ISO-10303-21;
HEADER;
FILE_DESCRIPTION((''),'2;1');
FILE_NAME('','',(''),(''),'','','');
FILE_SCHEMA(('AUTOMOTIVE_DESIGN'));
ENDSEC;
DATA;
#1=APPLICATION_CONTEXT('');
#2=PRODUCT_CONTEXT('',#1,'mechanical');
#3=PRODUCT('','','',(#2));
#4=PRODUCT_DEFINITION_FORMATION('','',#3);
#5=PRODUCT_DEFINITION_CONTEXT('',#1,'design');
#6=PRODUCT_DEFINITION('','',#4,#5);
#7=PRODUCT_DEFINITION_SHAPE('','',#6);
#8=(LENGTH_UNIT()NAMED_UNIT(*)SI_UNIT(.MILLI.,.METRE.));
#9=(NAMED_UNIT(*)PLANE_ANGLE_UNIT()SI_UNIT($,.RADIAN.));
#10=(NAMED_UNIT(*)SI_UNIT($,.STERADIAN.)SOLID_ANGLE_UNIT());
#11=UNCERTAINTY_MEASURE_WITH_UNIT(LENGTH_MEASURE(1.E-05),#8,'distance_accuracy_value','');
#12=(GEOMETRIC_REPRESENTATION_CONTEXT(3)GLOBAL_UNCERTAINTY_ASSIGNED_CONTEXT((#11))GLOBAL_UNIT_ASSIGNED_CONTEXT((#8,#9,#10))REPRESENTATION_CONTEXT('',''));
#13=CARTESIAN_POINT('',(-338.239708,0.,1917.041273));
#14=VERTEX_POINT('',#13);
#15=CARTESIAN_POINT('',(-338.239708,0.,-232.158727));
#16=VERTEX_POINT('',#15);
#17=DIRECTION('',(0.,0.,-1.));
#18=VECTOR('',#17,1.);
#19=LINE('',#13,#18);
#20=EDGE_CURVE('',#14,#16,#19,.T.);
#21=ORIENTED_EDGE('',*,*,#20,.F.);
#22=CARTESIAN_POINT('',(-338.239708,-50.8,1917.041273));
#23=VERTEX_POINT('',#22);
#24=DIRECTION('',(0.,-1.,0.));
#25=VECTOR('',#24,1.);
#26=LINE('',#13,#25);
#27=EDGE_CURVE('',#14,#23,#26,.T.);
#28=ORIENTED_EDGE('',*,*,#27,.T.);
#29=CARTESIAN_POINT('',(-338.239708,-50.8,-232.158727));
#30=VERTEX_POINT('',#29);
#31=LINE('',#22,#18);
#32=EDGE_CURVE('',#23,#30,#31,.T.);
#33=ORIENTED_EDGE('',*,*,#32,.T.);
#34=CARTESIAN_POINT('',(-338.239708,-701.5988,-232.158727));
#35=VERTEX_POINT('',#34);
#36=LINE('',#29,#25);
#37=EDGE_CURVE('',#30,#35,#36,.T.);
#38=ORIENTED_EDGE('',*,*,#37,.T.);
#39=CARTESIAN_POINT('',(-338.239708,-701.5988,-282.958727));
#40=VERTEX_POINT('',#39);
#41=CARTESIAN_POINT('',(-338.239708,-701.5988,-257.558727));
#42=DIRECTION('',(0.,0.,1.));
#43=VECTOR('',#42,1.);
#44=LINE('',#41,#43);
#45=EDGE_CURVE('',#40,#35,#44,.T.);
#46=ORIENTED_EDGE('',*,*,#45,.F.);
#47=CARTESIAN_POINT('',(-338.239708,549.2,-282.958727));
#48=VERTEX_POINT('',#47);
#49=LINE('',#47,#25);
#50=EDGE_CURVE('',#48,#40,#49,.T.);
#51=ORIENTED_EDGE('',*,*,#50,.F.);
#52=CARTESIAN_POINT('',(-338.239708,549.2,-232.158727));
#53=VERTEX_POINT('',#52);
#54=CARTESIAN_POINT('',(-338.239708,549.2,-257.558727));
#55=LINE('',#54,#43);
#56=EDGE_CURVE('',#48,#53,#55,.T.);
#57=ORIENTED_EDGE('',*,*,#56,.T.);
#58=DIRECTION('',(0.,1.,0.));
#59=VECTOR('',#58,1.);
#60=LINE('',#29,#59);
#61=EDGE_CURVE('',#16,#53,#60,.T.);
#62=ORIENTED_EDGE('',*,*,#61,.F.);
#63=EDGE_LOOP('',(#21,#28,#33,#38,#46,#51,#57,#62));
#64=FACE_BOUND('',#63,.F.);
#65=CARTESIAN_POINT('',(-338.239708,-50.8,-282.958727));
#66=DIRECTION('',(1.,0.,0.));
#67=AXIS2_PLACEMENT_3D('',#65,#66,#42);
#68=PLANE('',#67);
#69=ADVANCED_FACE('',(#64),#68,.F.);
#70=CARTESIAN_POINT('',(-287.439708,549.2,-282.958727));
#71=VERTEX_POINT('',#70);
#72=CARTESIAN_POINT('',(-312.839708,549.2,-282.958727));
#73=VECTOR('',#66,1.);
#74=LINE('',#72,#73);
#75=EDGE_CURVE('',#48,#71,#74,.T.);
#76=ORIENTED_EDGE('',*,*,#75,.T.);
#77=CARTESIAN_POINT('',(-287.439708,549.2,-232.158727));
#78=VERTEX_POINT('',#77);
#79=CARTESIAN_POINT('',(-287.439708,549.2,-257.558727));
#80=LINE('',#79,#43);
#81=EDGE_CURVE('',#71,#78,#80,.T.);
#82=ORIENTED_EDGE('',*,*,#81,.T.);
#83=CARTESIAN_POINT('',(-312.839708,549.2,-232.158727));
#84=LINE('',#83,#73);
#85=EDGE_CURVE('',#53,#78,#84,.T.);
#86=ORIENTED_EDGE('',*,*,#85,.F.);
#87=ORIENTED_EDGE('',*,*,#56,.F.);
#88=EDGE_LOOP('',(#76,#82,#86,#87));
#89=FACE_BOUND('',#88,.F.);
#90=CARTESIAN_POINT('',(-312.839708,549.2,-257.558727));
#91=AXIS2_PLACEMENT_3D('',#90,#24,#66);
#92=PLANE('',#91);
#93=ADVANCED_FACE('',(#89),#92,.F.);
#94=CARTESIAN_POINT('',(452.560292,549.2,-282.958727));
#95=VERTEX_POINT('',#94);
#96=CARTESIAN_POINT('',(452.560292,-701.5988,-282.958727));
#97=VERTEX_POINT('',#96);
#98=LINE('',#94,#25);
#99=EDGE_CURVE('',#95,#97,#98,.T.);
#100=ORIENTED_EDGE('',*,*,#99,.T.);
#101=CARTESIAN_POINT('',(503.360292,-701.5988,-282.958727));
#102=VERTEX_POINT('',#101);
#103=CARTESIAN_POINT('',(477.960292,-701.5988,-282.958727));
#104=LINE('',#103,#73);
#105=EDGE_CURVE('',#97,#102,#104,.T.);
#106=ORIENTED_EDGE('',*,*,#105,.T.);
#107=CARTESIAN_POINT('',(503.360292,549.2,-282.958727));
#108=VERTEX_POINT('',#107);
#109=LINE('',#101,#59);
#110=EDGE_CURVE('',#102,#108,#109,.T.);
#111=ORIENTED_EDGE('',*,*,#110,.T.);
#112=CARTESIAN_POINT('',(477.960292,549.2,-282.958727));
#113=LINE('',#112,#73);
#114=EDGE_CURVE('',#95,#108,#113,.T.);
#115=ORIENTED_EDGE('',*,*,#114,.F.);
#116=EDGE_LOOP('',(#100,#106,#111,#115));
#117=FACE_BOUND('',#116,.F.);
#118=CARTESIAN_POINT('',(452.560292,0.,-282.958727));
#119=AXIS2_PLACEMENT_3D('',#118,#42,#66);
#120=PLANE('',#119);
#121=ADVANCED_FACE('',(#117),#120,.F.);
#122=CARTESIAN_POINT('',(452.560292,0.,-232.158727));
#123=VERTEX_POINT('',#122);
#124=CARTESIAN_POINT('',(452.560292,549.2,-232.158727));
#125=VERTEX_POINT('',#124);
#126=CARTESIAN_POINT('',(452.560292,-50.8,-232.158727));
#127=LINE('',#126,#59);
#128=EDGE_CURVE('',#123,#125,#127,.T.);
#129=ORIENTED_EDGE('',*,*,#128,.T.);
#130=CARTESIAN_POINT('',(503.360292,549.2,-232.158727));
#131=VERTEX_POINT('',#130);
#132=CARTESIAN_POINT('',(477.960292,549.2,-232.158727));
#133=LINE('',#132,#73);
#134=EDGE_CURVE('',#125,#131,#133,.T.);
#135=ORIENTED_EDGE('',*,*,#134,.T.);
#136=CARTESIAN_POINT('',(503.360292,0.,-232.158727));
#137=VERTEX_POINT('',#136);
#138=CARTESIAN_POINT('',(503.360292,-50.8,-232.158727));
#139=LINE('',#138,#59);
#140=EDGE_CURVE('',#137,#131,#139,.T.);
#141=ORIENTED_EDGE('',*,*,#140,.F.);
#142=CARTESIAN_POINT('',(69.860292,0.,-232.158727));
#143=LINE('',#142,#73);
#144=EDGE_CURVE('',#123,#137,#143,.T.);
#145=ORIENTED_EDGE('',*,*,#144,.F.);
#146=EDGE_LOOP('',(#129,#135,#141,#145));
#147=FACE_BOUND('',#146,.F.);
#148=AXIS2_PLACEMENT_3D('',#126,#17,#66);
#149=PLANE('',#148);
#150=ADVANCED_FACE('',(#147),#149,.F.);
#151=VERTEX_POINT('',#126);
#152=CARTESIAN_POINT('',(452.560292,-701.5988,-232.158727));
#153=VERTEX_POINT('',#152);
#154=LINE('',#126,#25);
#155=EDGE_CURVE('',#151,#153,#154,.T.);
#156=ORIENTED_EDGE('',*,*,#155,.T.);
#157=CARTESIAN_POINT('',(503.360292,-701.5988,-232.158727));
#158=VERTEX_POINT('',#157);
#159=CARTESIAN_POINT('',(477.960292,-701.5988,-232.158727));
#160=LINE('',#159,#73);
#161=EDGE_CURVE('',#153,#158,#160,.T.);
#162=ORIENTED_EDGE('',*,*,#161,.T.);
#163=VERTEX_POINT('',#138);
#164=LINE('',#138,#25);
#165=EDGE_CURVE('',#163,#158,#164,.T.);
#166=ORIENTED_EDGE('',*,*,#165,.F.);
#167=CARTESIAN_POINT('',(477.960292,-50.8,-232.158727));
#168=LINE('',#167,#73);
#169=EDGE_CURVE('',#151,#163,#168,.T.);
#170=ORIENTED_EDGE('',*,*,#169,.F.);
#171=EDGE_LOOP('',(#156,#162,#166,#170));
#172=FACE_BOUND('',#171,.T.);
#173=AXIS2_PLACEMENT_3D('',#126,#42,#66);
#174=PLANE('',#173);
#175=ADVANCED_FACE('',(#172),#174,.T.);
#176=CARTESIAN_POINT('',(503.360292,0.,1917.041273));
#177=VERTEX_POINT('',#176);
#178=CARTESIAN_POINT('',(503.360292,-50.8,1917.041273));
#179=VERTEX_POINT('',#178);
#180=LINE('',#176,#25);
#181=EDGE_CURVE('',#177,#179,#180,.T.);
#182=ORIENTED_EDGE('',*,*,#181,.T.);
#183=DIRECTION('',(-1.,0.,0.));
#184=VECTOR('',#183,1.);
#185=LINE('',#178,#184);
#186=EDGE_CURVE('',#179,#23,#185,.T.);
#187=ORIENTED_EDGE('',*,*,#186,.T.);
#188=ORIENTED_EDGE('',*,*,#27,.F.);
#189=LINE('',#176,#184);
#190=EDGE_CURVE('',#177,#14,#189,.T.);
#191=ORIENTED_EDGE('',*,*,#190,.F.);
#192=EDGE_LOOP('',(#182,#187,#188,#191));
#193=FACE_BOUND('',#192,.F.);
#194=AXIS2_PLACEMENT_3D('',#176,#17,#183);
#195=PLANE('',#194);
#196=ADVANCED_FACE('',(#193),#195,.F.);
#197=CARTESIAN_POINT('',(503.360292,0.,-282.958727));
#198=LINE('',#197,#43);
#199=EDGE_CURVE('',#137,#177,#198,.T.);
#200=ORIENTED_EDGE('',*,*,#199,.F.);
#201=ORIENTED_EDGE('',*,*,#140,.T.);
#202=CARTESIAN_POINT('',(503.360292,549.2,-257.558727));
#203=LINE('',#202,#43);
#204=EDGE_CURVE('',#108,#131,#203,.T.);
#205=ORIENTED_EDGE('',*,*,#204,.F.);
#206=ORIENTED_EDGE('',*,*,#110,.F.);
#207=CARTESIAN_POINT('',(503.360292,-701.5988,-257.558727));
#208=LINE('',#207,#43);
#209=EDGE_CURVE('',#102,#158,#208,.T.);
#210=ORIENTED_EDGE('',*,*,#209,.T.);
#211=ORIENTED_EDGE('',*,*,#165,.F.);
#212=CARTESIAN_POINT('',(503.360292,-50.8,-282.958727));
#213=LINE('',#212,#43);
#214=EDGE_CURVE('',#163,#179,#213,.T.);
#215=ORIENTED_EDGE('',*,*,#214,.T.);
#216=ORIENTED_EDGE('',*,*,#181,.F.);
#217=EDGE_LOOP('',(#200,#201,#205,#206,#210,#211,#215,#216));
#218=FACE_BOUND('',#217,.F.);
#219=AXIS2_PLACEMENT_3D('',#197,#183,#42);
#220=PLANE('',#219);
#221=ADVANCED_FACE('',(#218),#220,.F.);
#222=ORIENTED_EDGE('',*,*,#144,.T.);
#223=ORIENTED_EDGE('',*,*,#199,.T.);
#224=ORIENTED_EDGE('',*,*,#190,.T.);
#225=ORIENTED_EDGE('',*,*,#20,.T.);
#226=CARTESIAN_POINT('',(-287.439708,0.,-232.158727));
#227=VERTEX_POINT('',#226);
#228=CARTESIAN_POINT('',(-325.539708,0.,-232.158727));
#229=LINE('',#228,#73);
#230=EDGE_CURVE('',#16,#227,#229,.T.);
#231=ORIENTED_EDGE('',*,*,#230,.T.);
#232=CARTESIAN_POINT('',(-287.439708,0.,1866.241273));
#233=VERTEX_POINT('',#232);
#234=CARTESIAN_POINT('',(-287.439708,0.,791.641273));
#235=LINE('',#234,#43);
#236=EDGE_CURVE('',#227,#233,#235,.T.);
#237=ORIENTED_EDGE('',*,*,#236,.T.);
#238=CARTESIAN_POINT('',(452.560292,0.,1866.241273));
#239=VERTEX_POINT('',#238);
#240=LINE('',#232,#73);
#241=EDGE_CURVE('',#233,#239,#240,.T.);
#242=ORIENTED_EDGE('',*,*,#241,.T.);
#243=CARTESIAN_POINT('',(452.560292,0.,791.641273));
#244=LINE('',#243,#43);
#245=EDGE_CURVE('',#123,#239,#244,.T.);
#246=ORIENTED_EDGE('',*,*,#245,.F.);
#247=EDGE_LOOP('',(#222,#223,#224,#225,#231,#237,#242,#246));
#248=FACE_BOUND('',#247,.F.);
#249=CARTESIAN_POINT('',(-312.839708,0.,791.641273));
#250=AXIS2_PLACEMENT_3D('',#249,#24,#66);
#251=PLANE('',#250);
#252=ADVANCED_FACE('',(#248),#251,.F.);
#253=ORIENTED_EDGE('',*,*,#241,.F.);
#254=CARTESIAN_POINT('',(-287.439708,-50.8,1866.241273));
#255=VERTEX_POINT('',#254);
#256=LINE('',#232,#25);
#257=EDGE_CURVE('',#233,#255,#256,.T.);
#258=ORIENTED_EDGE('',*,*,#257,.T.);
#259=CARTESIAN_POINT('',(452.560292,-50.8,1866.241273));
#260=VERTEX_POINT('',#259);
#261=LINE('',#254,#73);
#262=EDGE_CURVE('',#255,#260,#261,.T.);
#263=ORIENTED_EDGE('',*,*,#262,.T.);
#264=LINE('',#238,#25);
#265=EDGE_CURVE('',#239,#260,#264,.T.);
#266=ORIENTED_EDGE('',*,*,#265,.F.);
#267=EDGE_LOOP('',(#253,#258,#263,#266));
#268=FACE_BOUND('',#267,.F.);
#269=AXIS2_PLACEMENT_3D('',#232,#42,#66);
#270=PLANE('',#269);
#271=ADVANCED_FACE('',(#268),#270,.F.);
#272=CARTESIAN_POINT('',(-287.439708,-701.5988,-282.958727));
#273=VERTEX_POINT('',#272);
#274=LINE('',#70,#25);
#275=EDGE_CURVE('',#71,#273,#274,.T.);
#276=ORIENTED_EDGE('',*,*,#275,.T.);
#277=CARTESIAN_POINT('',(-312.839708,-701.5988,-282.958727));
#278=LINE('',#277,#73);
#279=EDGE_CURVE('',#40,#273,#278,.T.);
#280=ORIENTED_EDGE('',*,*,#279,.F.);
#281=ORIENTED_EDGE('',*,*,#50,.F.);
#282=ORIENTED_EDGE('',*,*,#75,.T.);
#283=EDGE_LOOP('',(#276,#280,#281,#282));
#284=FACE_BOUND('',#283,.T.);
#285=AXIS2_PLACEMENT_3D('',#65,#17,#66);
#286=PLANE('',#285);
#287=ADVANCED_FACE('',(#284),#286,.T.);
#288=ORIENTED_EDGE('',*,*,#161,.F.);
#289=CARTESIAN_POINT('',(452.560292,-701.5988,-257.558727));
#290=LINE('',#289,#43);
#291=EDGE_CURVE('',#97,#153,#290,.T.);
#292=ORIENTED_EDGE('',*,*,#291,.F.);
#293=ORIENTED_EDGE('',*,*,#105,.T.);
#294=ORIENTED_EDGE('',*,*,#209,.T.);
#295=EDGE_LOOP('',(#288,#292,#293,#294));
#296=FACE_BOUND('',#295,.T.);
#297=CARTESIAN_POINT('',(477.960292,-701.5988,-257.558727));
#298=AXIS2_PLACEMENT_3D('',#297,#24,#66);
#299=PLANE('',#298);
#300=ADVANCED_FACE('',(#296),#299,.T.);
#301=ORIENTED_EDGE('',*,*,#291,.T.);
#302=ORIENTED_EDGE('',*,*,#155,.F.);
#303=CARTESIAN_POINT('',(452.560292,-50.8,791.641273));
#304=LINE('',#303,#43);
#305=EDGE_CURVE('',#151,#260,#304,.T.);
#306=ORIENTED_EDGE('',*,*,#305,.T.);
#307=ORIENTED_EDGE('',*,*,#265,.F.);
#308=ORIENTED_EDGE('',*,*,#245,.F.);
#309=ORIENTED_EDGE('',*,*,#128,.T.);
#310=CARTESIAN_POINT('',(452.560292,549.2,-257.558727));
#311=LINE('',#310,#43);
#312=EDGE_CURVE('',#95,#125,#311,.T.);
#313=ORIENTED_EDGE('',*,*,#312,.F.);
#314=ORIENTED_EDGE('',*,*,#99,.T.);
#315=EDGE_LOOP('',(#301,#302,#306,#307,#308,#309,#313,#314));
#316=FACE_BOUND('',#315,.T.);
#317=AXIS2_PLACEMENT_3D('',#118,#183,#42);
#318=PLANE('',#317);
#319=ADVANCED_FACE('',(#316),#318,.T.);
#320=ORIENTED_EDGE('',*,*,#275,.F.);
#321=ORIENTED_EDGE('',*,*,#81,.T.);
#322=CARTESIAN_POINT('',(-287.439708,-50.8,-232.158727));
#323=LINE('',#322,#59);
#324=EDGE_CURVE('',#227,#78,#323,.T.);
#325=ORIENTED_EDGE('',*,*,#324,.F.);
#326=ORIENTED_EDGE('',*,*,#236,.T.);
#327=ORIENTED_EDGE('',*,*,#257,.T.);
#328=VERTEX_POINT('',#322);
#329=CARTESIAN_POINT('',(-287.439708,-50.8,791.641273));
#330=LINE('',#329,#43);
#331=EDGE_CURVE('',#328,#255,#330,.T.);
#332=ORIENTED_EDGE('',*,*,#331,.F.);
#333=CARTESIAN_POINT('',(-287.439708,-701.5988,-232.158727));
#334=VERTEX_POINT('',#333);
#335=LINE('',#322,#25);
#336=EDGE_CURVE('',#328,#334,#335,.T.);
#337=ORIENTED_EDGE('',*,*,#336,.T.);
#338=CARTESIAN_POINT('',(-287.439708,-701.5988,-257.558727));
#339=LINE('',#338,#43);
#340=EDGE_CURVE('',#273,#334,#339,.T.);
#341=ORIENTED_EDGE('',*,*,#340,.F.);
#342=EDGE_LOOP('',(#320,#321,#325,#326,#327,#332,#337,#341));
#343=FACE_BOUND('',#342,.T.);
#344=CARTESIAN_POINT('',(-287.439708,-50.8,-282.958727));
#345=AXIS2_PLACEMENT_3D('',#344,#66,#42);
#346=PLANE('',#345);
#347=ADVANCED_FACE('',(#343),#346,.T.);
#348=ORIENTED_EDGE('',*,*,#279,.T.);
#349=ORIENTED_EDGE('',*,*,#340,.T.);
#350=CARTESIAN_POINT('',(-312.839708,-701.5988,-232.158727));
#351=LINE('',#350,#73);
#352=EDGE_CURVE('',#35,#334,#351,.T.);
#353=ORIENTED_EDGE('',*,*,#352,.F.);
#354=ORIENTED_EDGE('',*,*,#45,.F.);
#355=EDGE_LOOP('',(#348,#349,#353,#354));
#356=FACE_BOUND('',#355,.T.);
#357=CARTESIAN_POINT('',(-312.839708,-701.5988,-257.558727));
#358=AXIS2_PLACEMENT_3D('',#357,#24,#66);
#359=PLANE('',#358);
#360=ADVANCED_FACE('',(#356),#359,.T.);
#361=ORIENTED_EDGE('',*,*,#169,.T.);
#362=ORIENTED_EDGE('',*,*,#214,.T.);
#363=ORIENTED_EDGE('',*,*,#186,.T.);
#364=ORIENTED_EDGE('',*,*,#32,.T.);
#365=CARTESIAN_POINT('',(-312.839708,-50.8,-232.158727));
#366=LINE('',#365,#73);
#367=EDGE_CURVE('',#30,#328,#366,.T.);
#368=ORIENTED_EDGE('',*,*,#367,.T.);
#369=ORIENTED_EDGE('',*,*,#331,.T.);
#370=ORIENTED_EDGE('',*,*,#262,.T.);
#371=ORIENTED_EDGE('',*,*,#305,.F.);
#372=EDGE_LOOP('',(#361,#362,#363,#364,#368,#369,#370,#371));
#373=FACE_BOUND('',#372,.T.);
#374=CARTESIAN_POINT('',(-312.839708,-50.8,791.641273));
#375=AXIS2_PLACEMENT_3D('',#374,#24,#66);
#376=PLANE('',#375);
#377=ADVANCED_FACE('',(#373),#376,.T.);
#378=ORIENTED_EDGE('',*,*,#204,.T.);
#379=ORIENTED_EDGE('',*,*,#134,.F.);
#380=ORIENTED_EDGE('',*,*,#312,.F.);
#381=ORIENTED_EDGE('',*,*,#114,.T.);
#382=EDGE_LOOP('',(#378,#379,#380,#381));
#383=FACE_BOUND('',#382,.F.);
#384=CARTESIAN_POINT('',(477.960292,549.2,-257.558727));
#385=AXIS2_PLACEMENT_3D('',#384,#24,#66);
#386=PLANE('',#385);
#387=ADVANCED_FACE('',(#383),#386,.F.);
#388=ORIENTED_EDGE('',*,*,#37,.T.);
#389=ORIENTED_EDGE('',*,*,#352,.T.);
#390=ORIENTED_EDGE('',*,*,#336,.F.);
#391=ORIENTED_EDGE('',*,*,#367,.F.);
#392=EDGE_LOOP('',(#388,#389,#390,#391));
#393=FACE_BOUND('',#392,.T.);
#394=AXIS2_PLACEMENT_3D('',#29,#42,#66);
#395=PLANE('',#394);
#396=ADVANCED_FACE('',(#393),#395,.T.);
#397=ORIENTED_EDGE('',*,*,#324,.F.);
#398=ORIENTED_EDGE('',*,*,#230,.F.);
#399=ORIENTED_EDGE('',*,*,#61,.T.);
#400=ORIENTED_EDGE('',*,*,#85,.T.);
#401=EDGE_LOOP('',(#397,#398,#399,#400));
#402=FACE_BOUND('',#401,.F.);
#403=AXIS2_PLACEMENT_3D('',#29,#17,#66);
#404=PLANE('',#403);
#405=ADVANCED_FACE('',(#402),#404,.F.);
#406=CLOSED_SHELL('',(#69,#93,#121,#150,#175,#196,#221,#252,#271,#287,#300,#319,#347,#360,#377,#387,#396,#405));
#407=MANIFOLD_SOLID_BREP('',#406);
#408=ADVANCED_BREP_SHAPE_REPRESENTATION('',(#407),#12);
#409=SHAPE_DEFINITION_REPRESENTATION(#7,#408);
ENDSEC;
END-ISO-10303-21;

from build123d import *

# Parameters (mm, degrees)
F0_W          = 50.8
F0_H          = 2149.2
F0_H_2        = 50.8
F1_DEPTH      = 50.8
F2_W          = 50.8
F2_H          = 50.8
F3_DEPTH      = 650.7988
F3_DEPTH_BACK = 600


with BuildPart() as f1:
    # F0 (on Front) → F1 (new body)
    with BuildSketch(Plane.XZ):
        with Locations((-312.839708, 791.641273)):
            Rectangle(F0_W, F0_H)
        Polygon((-338.239708, 1917.041273), (-338.239708, 1866.241273), (-287.439708, 1866.241273), (452.560292, 1866.241273), (452.560292, 1917.041273), align=None)
        with Locations((477.960292, 1891.641273)):
            Rectangle(F0_W, F0_H_2)
        with Locations((477.960292, 791.641273)):
            Rectangle(F0_W, F0_H)
    extrude(amount=F1_DEPTH)

    # F2 (on face) → F3 (join, two sides)
    with BuildSketch(Plane.XZ.offset(50.8)) as f3_sk:
        with Locations((-312.839708, -257.558727)):
            Rectangle(F2_W, F2_H)
        with Locations((477.960292, -257.558727)):
            Rectangle(F2_W, F2_H)
    extrude(amount=F3_DEPTH)
    extrude(f3_sk.sketch, amount=-F3_DEPTH_BACK)


solid = f1.part
